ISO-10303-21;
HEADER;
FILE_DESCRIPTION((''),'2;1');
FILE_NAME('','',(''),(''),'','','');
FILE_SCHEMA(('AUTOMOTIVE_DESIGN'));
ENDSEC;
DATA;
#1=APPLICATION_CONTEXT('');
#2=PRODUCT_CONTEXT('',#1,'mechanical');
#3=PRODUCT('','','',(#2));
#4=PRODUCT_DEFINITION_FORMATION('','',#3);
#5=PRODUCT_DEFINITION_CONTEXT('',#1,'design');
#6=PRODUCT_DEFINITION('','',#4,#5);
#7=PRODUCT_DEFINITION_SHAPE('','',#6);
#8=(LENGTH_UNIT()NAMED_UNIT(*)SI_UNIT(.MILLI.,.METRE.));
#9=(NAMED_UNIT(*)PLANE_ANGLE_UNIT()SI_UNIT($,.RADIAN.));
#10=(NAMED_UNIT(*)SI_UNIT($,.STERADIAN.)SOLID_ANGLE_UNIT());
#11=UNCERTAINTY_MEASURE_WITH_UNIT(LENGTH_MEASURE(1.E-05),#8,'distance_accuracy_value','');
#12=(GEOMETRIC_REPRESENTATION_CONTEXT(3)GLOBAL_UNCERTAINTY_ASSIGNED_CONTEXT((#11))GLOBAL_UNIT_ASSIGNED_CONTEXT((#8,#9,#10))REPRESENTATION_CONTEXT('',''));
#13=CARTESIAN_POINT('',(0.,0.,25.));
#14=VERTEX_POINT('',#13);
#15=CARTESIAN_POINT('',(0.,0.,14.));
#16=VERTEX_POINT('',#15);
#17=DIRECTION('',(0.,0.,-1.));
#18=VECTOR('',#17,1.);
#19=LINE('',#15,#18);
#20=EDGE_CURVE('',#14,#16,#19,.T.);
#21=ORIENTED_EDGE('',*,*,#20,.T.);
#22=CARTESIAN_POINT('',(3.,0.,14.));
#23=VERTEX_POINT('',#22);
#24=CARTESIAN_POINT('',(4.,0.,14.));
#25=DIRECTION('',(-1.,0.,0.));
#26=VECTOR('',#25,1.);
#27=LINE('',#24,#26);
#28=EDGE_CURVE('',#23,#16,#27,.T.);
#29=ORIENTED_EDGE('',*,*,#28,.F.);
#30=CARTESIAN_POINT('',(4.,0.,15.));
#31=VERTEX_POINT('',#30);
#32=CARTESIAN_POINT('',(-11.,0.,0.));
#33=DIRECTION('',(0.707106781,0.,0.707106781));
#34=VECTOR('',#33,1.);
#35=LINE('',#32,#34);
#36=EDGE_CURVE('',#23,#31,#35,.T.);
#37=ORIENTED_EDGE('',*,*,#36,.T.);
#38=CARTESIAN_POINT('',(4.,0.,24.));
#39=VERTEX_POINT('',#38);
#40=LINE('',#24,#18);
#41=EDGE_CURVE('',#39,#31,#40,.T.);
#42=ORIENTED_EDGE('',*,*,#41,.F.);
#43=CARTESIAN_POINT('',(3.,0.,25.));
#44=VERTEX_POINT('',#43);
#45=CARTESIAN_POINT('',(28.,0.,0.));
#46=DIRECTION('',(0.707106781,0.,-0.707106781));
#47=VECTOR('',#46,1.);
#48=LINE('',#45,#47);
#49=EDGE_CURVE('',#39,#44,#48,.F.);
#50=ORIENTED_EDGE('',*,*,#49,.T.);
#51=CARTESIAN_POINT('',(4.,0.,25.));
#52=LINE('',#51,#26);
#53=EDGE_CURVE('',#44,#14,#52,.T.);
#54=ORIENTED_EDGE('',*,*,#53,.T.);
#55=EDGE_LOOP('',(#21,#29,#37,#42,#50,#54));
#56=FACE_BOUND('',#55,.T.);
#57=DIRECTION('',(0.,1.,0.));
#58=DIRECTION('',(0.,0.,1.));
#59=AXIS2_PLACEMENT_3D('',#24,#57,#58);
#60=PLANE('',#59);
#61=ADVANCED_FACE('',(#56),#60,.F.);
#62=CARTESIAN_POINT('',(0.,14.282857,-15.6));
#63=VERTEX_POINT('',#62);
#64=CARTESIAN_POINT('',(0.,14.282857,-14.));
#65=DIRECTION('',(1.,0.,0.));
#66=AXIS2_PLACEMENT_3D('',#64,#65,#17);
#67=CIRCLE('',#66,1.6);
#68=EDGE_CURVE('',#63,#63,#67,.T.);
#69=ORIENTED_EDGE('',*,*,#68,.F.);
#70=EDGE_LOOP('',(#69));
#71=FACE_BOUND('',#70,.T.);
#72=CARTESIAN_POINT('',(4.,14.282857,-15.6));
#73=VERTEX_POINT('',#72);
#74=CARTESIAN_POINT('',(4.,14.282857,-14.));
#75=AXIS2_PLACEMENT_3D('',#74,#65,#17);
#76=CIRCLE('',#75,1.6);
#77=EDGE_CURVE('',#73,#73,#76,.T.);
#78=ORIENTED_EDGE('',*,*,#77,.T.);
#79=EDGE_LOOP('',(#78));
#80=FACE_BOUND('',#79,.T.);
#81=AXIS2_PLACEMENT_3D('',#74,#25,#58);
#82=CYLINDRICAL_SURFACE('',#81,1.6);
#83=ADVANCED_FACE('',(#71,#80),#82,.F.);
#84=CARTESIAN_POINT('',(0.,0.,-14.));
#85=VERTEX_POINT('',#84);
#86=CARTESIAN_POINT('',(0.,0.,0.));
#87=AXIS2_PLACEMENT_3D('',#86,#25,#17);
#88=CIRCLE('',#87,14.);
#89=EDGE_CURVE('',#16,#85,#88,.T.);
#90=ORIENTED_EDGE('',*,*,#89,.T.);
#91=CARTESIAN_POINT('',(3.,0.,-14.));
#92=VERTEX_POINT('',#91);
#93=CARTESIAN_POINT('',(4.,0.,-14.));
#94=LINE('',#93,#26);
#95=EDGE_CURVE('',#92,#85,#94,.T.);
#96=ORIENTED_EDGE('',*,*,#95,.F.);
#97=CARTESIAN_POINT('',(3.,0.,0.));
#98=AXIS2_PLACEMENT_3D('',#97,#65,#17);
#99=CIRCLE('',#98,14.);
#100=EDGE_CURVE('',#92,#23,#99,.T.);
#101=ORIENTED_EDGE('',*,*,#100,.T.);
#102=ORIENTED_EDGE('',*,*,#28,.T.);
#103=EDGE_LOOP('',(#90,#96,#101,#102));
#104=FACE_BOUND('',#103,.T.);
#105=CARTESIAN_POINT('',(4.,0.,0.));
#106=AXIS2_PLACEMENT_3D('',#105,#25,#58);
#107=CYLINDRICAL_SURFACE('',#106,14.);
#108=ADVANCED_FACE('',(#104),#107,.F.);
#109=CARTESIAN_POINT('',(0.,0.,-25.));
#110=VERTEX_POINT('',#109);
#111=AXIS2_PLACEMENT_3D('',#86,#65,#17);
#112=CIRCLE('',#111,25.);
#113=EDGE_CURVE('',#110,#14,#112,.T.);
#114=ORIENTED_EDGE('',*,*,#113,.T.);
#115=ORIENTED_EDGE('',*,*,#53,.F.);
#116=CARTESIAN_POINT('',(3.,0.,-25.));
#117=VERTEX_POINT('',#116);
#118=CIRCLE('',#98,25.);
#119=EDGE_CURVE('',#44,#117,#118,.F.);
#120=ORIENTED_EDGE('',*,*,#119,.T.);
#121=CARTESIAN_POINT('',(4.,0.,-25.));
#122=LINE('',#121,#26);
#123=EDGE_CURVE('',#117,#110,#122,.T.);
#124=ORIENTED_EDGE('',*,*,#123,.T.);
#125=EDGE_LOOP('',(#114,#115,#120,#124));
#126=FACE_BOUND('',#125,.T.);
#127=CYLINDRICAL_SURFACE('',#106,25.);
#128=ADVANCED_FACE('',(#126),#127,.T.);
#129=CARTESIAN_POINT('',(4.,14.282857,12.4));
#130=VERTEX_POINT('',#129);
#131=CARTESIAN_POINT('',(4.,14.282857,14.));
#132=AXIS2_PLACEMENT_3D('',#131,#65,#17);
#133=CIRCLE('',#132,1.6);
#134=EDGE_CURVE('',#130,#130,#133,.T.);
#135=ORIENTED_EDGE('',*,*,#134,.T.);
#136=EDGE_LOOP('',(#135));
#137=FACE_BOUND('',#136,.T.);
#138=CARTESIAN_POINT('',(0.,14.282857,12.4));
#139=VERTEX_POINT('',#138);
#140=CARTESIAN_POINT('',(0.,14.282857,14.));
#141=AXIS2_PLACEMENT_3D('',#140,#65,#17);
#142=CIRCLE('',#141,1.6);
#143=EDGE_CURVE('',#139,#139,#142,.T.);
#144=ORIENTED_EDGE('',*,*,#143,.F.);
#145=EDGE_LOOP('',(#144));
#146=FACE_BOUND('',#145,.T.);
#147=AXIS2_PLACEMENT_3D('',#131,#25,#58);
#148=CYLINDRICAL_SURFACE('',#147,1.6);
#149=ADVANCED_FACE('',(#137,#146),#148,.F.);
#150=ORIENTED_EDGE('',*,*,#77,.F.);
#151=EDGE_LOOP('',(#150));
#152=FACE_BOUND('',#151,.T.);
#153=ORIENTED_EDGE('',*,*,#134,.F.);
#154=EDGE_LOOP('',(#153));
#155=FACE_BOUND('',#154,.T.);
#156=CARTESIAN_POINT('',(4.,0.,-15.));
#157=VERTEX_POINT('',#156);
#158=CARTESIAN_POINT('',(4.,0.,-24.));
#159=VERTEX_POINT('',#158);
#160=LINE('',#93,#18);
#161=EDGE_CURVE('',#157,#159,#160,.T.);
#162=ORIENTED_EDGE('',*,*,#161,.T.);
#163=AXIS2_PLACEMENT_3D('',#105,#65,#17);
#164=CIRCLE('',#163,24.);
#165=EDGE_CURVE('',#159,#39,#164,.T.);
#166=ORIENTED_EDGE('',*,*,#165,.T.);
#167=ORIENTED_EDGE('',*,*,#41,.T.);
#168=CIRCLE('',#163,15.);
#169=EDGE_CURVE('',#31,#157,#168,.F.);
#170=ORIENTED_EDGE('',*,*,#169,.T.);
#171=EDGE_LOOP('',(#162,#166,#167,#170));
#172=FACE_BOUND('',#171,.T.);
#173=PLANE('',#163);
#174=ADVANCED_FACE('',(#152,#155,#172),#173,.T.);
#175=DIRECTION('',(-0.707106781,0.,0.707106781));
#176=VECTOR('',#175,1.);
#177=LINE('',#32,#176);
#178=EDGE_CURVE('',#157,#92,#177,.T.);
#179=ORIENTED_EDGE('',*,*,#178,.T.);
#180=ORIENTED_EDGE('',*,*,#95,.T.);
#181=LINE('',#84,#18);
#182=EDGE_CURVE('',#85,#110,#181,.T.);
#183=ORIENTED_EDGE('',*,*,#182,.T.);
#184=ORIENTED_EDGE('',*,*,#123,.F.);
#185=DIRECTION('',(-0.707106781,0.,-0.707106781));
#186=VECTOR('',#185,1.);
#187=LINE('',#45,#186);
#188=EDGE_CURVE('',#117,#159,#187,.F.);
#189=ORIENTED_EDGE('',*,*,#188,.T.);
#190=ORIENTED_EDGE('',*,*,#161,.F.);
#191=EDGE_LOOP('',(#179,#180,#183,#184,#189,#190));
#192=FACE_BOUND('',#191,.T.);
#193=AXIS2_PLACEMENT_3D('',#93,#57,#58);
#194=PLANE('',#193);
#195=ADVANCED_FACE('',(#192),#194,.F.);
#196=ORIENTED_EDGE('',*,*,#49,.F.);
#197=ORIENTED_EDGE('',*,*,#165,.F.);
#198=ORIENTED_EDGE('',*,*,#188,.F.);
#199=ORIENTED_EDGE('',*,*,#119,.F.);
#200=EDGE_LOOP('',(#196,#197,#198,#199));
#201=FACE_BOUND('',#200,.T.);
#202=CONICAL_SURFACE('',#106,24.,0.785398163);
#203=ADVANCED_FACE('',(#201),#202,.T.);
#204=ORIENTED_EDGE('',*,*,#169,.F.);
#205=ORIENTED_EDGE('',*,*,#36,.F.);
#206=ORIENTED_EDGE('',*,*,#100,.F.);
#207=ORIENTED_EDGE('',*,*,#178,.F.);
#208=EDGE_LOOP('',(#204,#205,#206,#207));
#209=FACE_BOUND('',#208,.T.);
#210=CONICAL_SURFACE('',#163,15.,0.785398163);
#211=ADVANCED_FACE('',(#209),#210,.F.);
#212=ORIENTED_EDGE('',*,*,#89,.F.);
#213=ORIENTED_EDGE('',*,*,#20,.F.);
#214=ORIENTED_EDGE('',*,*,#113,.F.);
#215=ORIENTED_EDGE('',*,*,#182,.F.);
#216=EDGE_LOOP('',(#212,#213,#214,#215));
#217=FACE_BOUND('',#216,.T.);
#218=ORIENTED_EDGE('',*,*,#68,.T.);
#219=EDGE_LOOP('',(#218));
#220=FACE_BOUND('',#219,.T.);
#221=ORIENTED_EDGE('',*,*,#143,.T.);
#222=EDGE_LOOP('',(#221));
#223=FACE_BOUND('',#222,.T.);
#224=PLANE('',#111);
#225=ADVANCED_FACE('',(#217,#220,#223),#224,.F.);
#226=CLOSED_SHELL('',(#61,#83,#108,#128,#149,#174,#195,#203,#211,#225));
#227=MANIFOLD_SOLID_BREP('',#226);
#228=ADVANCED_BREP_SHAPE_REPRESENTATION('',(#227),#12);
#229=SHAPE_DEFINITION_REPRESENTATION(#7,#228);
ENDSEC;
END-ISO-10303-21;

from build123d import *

# Parameters (mm, degrees)
SKETCH1_R           = 1.6
BOSS_EXTRUDE1_DEPTH = 4
CHAMFER1_SIZE       = 1


with BuildPart() as part:
    # Sketch1 → Boss-Extrude1 (new body)
    with BuildSketch(Plane(origin=(0, 0, 0), x_dir=(0, 0, -1), z_dir=(1, 0, 0))):
        with BuildLine():
            Line((14, 0), (25, 0))
            ThreePointArc((25, 0), (0, 25), (-25, 0))
            Line((-25, 0), (-14, 0))
            ThreePointArc((-14, 0), (0, 14), (14, 0))
        make_face()
        with Locations((14, 14.282856857)):
            Circle(SKETCH1_R, mode=Mode.SUBTRACT)
        with Locations((-14, 14.282856857)):
            Circle(SKETCH1_R, mode=Mode.SUBTRACT)
    extrude(amount=BOSS_EXTRUDE1_DEPTH)

    # Chamfer1
    chamfer1_edges = [part.edges().sort_by_distance(p)[0] for p in [
        (4, 25, 0),
        (4, 14, 0),
    ]]
    chamfer(chamfer1_edges, length=CHAMFER1_SIZE)


solid = part.part
